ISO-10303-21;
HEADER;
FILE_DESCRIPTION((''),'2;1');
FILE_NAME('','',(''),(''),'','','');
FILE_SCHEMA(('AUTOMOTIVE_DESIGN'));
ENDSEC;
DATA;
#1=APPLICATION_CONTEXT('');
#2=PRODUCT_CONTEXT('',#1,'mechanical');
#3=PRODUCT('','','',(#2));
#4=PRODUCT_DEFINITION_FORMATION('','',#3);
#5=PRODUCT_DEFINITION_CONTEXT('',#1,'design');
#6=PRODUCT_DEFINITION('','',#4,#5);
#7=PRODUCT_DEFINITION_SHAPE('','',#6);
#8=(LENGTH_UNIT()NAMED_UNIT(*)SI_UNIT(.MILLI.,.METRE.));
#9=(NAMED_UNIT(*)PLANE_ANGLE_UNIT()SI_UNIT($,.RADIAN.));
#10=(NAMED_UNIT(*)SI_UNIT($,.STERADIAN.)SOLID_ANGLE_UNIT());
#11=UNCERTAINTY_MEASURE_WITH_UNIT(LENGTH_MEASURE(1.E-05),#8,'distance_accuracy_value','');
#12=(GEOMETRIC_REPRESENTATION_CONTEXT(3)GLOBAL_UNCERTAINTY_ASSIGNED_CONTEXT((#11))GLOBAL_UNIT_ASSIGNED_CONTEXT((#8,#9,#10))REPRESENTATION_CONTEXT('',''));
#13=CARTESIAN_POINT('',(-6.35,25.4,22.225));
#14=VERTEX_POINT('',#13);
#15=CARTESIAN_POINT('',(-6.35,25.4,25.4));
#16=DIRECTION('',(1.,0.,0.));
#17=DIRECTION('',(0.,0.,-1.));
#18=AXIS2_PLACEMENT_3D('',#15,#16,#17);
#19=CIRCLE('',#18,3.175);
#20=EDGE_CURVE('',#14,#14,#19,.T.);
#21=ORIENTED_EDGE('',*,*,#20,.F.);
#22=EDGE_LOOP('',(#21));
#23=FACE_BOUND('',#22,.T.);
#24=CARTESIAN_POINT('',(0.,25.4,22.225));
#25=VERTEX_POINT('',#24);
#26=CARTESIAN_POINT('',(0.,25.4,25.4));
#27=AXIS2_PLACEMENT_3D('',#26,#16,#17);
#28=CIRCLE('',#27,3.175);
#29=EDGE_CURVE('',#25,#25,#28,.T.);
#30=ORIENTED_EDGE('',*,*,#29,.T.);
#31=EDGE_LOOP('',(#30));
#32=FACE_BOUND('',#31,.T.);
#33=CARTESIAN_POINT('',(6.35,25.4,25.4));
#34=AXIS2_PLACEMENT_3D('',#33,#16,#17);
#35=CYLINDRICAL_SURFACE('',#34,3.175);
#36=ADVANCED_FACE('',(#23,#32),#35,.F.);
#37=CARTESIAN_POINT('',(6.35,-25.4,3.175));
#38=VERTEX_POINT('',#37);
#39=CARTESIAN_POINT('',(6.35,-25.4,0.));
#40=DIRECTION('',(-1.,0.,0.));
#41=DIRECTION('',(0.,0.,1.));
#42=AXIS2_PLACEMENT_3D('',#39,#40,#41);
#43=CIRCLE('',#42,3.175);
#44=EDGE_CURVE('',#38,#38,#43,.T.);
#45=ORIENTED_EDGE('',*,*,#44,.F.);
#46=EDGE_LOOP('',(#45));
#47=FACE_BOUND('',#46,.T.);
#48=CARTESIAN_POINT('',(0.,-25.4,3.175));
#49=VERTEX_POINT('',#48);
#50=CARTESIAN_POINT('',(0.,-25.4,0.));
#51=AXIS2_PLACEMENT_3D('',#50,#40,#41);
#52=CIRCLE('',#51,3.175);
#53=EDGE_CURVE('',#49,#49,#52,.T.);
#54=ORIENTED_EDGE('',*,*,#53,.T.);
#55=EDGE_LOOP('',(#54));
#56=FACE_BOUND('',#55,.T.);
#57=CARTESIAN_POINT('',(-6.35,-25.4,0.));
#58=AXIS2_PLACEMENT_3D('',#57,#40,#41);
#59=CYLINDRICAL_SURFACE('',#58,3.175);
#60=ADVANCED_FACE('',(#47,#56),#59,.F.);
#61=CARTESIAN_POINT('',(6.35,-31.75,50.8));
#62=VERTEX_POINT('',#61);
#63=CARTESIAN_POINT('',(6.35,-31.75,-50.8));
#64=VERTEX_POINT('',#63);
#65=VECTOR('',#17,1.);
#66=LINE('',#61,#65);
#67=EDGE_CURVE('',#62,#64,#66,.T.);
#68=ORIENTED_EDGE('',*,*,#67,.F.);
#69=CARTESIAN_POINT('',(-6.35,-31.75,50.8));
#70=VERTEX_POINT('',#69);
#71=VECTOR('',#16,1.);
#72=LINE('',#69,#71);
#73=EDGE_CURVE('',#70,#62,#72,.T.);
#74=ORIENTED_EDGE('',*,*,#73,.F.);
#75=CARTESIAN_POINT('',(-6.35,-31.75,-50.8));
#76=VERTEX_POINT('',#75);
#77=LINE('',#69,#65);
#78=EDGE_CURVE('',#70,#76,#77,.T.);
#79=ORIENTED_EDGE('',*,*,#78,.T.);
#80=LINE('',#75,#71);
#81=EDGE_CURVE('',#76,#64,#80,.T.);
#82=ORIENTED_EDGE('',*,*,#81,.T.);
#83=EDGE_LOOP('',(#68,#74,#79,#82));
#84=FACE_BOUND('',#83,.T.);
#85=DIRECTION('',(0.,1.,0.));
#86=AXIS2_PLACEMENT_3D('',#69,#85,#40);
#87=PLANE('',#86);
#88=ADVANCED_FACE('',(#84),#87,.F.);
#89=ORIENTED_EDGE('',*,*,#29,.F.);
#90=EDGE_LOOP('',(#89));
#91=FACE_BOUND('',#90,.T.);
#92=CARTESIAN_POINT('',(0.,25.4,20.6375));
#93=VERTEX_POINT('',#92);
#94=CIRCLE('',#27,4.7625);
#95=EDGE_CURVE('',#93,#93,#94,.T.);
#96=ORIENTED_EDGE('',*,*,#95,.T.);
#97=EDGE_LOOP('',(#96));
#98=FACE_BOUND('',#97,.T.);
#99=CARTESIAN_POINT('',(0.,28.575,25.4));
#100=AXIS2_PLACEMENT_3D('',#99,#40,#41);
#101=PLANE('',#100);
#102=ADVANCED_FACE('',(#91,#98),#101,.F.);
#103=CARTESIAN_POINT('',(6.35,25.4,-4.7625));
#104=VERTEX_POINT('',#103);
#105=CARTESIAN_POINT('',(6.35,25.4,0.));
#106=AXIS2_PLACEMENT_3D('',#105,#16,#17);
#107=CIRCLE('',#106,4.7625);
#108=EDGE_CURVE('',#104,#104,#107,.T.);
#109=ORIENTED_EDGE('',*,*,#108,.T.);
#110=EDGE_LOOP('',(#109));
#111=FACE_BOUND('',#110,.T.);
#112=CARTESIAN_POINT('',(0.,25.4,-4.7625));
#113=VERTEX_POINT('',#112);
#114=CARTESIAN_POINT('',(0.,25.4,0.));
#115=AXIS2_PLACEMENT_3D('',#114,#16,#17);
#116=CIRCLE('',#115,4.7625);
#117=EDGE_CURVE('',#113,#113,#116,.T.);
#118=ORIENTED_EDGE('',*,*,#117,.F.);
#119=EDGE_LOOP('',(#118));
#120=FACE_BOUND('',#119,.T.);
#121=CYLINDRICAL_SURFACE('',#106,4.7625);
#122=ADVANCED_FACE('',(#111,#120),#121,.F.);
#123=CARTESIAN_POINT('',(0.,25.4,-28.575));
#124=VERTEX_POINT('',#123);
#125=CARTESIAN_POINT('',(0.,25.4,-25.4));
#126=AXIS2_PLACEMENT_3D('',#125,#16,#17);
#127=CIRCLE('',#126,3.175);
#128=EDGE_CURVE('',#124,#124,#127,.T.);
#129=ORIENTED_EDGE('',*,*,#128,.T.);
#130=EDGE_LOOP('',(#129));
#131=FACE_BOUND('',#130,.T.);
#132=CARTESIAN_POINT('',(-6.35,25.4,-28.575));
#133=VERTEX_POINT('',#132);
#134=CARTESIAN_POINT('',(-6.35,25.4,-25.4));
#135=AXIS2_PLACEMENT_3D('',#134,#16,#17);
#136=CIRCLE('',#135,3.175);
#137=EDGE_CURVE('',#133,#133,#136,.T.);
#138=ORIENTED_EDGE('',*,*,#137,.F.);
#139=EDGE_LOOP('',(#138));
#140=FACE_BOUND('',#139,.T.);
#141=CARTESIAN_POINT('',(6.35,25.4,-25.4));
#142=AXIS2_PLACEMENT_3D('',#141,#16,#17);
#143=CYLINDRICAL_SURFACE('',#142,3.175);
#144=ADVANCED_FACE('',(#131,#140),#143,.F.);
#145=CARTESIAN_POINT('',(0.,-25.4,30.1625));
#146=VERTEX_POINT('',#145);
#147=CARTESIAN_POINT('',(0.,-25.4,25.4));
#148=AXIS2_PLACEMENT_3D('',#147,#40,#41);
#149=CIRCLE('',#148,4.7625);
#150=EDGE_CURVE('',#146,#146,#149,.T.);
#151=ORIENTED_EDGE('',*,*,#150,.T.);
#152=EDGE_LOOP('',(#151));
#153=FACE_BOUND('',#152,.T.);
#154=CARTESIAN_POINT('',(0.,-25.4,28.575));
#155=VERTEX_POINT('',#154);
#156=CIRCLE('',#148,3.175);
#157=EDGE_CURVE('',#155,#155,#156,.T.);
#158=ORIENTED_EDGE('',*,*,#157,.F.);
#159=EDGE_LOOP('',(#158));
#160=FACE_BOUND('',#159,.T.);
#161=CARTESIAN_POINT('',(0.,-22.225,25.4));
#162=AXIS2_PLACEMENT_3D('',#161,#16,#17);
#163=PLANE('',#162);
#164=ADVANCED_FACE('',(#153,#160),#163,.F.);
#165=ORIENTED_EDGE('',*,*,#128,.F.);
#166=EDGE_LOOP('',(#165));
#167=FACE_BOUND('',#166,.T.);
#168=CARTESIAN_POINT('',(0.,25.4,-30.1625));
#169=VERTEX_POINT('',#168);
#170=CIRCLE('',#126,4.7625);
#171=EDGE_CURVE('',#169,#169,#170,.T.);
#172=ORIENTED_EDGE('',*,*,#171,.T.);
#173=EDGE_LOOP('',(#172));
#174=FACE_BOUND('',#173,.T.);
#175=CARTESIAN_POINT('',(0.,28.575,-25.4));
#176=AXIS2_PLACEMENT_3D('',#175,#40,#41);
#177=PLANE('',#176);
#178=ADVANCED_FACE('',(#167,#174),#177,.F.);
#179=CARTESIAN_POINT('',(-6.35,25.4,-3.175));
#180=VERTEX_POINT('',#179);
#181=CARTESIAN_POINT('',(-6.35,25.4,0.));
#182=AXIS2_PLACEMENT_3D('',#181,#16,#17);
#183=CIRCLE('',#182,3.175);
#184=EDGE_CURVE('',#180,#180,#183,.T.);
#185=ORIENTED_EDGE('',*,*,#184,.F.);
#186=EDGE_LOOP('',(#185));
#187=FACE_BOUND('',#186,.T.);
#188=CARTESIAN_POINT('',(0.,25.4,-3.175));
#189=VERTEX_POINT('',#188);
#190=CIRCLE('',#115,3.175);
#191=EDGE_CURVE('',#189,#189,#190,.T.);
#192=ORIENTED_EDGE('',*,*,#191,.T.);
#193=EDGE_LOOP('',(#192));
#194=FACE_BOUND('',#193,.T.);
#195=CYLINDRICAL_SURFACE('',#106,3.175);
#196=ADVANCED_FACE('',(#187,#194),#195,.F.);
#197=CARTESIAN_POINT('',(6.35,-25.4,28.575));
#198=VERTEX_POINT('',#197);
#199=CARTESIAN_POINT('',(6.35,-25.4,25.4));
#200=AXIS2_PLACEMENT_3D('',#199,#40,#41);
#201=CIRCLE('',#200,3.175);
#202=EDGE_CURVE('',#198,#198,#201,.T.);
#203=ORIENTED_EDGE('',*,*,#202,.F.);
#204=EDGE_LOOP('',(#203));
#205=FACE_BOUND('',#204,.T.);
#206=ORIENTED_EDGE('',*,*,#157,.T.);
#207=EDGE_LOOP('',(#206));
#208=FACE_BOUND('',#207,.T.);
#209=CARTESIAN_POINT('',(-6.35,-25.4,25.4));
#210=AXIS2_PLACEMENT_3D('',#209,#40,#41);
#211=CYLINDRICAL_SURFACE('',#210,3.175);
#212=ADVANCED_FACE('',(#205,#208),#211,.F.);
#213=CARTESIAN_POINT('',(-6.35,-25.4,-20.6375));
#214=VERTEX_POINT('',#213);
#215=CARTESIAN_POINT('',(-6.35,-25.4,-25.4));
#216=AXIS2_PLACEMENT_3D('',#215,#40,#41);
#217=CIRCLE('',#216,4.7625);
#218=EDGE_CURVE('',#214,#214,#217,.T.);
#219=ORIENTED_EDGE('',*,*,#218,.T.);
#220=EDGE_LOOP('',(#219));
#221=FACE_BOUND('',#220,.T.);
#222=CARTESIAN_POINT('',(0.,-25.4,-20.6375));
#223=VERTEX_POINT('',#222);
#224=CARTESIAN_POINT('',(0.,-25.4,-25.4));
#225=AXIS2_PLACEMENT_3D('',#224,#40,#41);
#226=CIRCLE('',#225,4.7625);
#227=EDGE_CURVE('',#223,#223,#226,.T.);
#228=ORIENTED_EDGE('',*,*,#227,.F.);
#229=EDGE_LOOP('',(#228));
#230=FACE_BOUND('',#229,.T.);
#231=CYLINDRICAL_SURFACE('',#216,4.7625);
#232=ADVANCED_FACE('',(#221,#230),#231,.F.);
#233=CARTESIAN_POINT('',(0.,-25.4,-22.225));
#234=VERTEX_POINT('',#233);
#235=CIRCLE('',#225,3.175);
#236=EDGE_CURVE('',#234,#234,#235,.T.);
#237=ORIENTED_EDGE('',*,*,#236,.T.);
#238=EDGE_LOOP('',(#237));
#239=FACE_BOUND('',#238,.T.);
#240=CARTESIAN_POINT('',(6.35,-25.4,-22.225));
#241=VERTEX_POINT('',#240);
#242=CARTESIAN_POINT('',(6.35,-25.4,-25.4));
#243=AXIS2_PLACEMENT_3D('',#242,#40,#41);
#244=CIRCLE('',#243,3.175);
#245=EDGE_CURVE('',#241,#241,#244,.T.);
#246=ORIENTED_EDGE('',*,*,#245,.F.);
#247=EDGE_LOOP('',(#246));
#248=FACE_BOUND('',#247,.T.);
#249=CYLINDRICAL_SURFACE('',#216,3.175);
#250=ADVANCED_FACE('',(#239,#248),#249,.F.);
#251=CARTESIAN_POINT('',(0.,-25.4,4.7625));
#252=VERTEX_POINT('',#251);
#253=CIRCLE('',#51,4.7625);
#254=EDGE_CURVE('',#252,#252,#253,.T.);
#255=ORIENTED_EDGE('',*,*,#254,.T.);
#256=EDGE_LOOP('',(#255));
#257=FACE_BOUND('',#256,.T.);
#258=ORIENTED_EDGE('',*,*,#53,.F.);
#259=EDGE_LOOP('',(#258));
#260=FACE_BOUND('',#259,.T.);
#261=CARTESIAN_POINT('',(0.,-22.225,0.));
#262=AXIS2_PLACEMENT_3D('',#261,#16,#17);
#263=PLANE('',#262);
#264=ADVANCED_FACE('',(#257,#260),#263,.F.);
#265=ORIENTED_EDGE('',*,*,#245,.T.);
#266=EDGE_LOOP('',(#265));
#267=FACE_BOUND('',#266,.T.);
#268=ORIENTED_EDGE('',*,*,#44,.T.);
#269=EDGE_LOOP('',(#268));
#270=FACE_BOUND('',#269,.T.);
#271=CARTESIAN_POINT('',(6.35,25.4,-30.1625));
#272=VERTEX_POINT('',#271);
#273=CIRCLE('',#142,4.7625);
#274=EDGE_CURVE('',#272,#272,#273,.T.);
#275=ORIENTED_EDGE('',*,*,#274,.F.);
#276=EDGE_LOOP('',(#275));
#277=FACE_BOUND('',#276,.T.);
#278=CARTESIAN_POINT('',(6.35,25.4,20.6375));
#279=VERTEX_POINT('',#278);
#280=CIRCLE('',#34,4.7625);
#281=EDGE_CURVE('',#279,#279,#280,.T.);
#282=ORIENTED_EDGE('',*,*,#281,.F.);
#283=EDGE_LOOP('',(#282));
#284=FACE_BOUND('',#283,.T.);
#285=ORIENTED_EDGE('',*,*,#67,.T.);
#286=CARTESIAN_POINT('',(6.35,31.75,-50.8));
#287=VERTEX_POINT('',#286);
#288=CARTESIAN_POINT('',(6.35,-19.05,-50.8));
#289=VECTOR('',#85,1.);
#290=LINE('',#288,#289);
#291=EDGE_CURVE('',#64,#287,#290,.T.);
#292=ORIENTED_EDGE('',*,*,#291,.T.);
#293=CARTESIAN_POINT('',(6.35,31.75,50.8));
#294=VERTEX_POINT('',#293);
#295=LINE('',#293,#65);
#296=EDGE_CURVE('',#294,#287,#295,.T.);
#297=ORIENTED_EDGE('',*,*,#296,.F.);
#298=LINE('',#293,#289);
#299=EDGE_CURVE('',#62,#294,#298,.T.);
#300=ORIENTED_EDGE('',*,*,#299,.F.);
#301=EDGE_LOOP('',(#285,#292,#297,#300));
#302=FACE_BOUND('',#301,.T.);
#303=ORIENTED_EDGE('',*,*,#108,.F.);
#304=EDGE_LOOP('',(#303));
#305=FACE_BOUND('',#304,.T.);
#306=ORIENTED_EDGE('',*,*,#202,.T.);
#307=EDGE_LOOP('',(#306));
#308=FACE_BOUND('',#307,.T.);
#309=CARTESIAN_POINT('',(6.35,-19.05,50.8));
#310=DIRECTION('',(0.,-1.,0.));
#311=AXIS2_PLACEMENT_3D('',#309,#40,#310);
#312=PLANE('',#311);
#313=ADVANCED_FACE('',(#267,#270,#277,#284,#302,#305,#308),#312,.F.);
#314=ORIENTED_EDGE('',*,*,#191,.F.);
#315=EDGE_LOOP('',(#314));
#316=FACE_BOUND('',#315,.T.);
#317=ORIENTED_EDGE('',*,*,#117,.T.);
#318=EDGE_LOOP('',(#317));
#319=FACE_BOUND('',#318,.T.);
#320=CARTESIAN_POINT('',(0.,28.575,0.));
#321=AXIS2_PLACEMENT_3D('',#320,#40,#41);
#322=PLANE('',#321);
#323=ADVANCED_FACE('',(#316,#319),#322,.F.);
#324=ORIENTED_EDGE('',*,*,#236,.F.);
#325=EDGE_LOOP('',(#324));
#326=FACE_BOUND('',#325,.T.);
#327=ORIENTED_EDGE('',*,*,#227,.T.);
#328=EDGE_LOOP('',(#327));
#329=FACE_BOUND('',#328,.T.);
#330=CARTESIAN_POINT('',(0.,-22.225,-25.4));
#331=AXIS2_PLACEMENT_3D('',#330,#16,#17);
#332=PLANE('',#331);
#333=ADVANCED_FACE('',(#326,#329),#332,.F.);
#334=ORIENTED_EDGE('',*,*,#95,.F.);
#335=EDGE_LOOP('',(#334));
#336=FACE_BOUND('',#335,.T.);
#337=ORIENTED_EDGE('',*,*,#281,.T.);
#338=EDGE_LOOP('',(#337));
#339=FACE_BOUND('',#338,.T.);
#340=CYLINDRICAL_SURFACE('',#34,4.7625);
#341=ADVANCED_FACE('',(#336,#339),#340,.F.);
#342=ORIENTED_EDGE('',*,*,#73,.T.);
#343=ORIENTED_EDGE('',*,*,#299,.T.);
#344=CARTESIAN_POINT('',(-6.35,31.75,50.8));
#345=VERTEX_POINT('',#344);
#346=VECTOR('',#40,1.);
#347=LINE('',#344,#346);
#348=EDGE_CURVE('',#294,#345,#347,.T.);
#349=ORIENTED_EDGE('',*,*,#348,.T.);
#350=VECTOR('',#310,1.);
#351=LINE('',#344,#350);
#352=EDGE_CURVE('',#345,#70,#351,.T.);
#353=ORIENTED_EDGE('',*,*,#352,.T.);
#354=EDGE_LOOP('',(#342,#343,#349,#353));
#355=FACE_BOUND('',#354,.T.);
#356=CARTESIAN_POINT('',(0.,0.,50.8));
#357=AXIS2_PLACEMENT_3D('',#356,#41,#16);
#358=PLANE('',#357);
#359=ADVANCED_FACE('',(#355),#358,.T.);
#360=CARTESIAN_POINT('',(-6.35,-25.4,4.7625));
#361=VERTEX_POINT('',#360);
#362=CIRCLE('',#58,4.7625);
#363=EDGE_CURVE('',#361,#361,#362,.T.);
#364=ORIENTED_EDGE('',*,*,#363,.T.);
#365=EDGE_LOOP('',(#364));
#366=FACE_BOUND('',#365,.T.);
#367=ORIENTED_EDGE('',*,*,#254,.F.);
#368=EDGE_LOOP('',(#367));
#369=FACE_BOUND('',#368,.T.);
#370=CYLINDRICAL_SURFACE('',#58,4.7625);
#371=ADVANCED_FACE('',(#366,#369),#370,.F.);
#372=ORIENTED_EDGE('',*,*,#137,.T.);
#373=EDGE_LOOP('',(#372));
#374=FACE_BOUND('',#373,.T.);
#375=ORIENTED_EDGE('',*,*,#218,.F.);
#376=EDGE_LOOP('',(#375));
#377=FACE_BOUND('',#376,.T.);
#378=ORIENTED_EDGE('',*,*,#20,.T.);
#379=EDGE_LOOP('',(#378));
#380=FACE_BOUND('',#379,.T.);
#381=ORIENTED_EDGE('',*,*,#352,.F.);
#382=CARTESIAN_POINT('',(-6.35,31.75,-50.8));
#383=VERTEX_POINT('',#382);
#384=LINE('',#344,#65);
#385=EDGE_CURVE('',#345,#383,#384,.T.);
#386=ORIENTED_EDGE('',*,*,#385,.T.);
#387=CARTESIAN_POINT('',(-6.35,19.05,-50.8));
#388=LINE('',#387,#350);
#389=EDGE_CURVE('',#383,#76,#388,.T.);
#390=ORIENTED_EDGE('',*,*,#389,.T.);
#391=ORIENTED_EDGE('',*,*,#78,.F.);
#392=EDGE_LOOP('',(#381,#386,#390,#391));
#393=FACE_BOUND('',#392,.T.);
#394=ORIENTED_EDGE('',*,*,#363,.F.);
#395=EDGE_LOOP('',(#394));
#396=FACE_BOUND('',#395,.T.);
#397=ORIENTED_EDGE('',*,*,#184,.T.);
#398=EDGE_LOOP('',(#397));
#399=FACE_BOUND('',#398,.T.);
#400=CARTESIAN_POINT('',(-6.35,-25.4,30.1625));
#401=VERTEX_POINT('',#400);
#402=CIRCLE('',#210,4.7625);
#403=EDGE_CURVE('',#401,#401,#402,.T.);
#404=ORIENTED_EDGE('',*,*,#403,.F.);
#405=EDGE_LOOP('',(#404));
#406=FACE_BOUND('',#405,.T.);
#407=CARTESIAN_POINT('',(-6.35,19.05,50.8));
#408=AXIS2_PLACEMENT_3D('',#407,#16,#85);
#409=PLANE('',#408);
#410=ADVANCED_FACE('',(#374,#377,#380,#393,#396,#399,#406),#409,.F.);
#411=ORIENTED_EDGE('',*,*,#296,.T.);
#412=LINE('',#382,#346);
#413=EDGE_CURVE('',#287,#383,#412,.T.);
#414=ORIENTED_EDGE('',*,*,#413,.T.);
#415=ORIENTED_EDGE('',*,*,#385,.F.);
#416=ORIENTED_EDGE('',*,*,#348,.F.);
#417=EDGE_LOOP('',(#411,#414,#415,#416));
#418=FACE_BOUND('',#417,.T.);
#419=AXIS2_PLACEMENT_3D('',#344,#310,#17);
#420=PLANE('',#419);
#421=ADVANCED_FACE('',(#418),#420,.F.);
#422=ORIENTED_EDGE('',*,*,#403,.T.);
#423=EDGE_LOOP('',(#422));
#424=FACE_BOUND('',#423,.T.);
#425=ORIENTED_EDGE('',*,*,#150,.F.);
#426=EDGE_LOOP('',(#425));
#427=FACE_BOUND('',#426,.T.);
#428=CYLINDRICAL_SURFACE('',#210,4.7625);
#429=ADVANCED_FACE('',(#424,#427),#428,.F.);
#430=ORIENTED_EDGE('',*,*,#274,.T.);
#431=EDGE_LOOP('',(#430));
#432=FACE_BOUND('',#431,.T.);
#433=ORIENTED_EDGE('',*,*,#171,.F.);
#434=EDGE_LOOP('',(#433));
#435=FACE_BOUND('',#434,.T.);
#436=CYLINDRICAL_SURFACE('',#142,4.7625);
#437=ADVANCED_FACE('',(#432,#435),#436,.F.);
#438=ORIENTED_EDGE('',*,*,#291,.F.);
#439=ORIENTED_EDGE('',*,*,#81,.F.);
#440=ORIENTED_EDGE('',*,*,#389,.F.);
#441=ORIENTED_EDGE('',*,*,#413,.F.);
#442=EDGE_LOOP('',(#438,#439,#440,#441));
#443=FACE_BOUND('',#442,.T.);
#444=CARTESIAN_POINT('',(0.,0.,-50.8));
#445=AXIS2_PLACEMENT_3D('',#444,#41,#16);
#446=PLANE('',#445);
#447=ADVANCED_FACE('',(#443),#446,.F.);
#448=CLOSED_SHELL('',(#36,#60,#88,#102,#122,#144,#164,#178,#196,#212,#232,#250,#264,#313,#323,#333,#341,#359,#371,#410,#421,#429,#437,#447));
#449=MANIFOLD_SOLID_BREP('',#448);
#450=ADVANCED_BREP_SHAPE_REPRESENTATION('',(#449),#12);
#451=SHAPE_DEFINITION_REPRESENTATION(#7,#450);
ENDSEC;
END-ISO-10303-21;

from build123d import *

# Parameters (mm, degrees)
BOSS_EXTRUDE1_DEPTH                           = 50.8
F_1_4_20_THREADED_C_BORE_D                    = 6.35
F_1_4_20_THREADED_C_BORE_CBORE_D              = 9.525
F_1_4_20_THREADED_C_BORE_CBORE_DEPTH          = 6.35
F_1_4_20_THREADED_C_BORE_OPPOSITE_D           = 6.35
F_1_4_20_THREADED_C_BORE_OPPOSITE_CBORE_D     = 9.525
F_1_4_20_THREADED_C_BORE_OPPOSITE_CBORE_DEPTH = 6.35


with BuildPart() as part:
    # Sketch2 → Boss-Extrude1 (new, symmetric)
    with BuildSketch(Plane.XY):
        Polygon((-6.35, 31.75), (6.35, 31.75), (6.35, -19.05), (6.35, -31.75), (-6.35, -31.75), (-6.35, 19.05), align=None)
    extrude(amount=BOSS_EXTRUDE1_DEPTH, both=True)

    # 1/4"-20 threaded c-bore (through all)
    with Locations(Plane.ZY.offset(6.35)):
        with Locations((-25.4, -25.4), (0, -25.4), (25.4, -25.4)):
            CounterBoreHole(F_1_4_20_THREADED_C_BORE_D / 2, F_1_4_20_THREADED_C_BORE_CBORE_D / 2, F_1_4_20_THREADED_C_BORE_CBORE_DEPTH)

    # 1/4"-20 threaded c-bore opposite (through all)
    with Locations(Plane(origin=(6.35, 0, 0), x_dir=(0, 0, -1), z_dir=(1, 0, 0))):
        with Locations((-25.4, 25.4), (0, 25.4), (25.4, 25.4)):
            CounterBoreHole(F_1_4_20_THREADED_C_BORE_OPPOSITE_D / 2, F_1_4_20_THREADED_C_BORE_OPPOSITE_CBORE_D / 2, F_1_4_20_THREADED_C_BORE_OPPOSITE_CBORE_DEPTH)


solid = part.part
